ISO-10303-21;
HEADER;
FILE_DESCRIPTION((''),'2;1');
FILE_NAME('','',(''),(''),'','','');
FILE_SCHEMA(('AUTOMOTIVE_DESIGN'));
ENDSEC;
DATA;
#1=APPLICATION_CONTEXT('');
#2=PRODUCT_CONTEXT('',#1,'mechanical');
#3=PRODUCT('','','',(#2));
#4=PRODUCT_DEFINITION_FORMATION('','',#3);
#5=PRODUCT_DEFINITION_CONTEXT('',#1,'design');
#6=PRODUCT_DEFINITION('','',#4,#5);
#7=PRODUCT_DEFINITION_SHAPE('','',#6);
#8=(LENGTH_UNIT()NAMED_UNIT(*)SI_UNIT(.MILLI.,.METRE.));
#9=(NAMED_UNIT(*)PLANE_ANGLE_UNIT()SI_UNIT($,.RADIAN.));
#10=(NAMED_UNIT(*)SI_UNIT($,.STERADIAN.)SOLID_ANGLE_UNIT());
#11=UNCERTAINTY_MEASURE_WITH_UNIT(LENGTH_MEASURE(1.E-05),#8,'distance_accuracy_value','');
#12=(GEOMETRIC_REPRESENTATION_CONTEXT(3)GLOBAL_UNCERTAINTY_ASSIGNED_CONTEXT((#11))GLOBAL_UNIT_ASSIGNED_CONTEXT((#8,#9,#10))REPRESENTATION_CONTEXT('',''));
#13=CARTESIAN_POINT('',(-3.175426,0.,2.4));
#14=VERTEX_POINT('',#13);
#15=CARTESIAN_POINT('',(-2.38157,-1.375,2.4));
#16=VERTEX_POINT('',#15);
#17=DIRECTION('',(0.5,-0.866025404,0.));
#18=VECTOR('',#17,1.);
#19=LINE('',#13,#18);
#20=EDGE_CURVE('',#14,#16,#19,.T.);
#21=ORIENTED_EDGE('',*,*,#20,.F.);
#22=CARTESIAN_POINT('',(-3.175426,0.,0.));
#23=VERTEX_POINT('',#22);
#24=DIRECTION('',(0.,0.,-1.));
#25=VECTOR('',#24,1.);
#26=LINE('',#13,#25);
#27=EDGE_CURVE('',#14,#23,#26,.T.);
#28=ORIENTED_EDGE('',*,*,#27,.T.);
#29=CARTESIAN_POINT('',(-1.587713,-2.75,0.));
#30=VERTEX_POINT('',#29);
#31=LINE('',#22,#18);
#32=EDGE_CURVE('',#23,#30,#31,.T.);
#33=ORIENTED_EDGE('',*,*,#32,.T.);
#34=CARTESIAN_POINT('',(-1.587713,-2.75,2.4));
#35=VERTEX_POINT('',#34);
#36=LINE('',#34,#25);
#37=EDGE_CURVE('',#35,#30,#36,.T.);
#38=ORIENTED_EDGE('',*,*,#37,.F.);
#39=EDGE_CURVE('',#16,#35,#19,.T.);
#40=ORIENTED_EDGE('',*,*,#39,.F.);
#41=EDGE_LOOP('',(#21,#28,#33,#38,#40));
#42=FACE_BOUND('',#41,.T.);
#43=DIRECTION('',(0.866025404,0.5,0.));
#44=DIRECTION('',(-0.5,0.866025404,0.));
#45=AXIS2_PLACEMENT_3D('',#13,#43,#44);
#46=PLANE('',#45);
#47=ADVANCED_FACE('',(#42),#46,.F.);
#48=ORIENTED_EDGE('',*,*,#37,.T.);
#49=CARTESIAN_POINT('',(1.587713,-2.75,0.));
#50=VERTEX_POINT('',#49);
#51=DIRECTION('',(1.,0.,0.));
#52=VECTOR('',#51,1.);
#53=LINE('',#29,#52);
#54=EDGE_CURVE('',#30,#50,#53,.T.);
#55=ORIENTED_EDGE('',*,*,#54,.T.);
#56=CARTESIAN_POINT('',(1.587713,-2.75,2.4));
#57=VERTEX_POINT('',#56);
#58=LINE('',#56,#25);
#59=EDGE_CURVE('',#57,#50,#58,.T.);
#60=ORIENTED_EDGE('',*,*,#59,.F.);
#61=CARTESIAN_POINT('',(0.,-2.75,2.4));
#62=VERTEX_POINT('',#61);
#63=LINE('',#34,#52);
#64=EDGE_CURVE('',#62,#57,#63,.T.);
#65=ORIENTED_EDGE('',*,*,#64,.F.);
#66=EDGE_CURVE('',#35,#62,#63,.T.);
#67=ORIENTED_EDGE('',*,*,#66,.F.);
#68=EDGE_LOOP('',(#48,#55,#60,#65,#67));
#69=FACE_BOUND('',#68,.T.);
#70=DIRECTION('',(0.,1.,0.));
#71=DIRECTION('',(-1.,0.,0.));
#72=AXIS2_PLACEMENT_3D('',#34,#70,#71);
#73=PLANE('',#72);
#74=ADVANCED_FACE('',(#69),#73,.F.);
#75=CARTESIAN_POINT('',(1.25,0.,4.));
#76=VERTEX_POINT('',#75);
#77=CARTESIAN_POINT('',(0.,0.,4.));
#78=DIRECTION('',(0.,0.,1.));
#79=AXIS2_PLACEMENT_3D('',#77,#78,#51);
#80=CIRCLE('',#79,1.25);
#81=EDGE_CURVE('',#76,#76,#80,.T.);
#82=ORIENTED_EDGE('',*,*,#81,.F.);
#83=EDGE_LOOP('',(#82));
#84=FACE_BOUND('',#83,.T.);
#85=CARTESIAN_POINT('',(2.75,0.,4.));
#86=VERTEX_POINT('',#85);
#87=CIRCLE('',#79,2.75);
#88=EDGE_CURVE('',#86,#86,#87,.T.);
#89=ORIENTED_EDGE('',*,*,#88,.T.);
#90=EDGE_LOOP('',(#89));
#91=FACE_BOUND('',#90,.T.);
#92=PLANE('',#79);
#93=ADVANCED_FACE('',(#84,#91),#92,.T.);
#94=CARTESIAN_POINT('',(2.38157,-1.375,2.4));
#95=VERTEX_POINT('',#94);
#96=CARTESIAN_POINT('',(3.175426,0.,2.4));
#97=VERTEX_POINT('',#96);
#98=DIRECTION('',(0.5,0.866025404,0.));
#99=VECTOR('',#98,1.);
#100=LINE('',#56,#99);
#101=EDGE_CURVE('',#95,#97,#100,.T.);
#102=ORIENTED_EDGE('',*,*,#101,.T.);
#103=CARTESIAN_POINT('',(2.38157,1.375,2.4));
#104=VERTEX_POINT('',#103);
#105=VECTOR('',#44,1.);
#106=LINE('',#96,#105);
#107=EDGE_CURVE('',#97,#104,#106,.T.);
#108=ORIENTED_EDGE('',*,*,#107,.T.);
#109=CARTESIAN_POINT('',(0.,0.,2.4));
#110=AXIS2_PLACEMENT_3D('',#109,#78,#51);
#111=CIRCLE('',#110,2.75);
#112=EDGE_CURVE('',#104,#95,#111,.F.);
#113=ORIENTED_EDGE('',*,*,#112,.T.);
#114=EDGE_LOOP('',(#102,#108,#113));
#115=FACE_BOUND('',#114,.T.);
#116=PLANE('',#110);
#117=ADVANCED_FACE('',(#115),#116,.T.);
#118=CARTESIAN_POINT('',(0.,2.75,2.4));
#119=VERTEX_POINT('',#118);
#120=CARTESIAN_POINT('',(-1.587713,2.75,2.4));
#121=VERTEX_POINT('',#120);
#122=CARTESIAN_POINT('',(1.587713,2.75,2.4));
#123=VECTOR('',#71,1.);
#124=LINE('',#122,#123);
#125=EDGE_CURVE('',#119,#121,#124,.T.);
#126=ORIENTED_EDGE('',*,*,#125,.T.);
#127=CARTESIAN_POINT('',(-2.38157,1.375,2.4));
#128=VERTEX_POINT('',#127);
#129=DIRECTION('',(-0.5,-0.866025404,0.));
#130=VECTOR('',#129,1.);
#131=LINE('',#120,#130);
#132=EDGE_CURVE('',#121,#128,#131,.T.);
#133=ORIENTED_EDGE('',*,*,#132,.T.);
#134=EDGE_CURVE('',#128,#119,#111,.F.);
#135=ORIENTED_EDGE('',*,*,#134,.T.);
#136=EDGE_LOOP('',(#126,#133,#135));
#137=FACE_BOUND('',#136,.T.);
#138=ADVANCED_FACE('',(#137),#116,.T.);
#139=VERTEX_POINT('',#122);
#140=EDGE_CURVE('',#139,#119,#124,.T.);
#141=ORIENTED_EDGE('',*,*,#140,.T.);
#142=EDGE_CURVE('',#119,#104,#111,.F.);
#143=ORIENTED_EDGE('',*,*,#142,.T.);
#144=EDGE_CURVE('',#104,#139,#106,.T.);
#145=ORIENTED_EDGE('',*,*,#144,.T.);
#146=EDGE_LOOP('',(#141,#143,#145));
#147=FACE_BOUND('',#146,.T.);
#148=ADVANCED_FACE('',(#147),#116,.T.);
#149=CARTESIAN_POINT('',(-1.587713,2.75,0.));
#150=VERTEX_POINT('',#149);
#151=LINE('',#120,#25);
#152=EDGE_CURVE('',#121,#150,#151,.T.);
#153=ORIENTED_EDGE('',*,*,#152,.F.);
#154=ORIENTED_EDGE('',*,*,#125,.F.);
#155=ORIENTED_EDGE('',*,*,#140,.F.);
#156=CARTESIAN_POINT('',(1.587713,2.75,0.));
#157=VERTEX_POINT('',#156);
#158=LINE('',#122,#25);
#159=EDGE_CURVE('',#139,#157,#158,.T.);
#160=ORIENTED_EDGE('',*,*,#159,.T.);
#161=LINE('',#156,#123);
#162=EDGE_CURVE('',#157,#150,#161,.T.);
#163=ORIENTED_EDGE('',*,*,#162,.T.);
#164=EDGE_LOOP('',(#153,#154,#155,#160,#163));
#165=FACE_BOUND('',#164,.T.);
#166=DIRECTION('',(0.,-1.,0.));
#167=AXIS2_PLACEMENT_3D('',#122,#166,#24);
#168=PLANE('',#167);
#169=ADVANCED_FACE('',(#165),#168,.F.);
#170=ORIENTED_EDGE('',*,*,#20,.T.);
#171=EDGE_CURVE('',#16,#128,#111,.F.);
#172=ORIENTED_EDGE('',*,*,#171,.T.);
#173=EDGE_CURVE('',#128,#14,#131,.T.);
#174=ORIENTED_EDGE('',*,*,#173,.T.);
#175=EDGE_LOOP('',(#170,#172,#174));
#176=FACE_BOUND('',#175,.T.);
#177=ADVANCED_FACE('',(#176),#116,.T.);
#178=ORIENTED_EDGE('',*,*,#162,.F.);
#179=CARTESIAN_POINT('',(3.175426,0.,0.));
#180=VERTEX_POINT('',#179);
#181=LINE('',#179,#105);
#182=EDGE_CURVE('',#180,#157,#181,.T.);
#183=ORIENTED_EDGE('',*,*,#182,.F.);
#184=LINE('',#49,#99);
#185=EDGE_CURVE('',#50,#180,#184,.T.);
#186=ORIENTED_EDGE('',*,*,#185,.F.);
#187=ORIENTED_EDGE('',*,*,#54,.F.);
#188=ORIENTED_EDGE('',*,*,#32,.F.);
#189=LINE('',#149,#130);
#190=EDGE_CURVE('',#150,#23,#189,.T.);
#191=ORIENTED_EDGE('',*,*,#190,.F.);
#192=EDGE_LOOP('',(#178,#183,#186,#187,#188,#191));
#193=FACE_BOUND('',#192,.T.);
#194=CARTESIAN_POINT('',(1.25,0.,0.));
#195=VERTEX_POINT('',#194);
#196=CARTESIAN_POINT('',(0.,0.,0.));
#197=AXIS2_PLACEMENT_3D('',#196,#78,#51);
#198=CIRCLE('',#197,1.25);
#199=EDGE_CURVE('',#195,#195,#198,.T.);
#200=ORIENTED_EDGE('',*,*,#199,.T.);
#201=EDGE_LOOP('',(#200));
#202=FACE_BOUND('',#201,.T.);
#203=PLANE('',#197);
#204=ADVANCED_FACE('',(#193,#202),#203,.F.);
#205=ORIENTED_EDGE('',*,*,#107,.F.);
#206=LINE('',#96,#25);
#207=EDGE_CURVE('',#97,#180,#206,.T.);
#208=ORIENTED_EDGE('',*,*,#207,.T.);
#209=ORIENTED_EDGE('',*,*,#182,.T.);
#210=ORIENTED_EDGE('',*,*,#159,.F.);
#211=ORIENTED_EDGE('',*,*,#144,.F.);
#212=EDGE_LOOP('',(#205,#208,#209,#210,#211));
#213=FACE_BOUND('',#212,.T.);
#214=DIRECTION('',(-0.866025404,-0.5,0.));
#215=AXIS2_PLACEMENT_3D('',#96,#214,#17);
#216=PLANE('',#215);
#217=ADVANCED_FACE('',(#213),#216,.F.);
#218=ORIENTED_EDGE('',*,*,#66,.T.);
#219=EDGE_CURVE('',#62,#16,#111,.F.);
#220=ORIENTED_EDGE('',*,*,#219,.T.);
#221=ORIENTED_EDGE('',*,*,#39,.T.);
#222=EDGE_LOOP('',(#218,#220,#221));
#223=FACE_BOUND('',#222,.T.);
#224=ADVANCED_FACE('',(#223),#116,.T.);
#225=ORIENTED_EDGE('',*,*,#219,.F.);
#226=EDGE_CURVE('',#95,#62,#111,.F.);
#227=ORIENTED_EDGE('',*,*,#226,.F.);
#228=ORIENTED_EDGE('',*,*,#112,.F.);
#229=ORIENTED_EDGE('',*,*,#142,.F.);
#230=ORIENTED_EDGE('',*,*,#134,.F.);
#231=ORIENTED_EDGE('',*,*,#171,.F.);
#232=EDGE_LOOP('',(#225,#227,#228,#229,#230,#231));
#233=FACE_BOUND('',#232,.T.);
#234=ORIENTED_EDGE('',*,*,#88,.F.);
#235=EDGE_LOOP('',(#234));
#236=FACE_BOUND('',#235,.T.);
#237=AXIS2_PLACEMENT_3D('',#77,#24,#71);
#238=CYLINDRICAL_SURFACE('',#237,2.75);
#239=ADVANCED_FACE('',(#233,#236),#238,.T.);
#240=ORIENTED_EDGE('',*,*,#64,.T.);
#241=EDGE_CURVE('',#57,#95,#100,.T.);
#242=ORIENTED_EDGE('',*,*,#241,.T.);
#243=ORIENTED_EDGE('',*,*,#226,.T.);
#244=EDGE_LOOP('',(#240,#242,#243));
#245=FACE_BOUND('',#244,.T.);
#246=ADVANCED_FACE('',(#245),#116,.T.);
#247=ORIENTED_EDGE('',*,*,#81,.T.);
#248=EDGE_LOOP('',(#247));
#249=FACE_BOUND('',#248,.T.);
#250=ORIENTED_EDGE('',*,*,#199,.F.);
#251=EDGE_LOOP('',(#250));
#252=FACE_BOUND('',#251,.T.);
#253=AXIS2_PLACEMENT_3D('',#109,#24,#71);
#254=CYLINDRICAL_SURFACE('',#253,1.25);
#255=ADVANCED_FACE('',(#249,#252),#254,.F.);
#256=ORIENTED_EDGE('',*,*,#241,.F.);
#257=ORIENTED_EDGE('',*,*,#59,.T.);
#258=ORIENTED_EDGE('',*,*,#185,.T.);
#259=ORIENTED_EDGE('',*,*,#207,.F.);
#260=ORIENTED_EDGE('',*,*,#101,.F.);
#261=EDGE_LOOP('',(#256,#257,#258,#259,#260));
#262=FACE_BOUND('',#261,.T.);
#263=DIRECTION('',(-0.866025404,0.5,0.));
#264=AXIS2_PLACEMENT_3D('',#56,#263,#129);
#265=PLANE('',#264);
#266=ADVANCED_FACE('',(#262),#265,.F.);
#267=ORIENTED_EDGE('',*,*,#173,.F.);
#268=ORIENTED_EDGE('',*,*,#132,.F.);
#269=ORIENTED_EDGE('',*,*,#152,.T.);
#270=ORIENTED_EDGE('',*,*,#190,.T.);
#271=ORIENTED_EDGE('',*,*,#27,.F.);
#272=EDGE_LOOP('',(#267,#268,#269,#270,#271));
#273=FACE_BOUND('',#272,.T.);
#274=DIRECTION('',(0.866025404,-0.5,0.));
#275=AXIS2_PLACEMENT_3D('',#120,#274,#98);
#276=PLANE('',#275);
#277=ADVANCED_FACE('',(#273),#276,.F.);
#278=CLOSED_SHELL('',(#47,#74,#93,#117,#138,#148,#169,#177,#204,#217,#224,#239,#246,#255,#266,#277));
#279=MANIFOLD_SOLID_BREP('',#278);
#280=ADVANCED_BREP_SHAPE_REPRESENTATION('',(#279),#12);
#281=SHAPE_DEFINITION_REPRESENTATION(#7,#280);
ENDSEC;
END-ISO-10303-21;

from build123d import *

# Parameters (mm, degrees)
ESQUISSE1_R        = 1.25
BOSS_EXTRU_1_DEPTH = 2.4
ESQUISSE2_R        = 2.75
ESQUISSE2_R_2      = 1.25
BOSS_EXTRU_2_DEPTH = 4


with BuildPart() as part:
    # Esquisse1 → Boss.-Extru.1 (new body)
    with BuildSketch(Plane.XY):
        Polygon((3.175426481, 0), (1.58771324, 2.75), (-1.58771324, 2.75), (-3.175426481, 0), (-1.58771324, -2.75), (1.58771324, -2.75), align=None)
        Circle(ESQUISSE1_R, mode=Mode.SUBTRACT)
    extrude(amount=BOSS_EXTRU_1_DEPTH)

    # Esquisse2 → Boss.-Extru.2 (add)
    with BuildSketch(Plane.XY):
        with Locations(Location((0, 0, 0), (0, 0, 150))):
            Circle(ESQUISSE2_R)
        Circle(ESQUISSE2_R_2, mode=Mode.SUBTRACT)
    extrude(amount=BOSS_EXTRU_2_DEPTH)


solid = part.part
